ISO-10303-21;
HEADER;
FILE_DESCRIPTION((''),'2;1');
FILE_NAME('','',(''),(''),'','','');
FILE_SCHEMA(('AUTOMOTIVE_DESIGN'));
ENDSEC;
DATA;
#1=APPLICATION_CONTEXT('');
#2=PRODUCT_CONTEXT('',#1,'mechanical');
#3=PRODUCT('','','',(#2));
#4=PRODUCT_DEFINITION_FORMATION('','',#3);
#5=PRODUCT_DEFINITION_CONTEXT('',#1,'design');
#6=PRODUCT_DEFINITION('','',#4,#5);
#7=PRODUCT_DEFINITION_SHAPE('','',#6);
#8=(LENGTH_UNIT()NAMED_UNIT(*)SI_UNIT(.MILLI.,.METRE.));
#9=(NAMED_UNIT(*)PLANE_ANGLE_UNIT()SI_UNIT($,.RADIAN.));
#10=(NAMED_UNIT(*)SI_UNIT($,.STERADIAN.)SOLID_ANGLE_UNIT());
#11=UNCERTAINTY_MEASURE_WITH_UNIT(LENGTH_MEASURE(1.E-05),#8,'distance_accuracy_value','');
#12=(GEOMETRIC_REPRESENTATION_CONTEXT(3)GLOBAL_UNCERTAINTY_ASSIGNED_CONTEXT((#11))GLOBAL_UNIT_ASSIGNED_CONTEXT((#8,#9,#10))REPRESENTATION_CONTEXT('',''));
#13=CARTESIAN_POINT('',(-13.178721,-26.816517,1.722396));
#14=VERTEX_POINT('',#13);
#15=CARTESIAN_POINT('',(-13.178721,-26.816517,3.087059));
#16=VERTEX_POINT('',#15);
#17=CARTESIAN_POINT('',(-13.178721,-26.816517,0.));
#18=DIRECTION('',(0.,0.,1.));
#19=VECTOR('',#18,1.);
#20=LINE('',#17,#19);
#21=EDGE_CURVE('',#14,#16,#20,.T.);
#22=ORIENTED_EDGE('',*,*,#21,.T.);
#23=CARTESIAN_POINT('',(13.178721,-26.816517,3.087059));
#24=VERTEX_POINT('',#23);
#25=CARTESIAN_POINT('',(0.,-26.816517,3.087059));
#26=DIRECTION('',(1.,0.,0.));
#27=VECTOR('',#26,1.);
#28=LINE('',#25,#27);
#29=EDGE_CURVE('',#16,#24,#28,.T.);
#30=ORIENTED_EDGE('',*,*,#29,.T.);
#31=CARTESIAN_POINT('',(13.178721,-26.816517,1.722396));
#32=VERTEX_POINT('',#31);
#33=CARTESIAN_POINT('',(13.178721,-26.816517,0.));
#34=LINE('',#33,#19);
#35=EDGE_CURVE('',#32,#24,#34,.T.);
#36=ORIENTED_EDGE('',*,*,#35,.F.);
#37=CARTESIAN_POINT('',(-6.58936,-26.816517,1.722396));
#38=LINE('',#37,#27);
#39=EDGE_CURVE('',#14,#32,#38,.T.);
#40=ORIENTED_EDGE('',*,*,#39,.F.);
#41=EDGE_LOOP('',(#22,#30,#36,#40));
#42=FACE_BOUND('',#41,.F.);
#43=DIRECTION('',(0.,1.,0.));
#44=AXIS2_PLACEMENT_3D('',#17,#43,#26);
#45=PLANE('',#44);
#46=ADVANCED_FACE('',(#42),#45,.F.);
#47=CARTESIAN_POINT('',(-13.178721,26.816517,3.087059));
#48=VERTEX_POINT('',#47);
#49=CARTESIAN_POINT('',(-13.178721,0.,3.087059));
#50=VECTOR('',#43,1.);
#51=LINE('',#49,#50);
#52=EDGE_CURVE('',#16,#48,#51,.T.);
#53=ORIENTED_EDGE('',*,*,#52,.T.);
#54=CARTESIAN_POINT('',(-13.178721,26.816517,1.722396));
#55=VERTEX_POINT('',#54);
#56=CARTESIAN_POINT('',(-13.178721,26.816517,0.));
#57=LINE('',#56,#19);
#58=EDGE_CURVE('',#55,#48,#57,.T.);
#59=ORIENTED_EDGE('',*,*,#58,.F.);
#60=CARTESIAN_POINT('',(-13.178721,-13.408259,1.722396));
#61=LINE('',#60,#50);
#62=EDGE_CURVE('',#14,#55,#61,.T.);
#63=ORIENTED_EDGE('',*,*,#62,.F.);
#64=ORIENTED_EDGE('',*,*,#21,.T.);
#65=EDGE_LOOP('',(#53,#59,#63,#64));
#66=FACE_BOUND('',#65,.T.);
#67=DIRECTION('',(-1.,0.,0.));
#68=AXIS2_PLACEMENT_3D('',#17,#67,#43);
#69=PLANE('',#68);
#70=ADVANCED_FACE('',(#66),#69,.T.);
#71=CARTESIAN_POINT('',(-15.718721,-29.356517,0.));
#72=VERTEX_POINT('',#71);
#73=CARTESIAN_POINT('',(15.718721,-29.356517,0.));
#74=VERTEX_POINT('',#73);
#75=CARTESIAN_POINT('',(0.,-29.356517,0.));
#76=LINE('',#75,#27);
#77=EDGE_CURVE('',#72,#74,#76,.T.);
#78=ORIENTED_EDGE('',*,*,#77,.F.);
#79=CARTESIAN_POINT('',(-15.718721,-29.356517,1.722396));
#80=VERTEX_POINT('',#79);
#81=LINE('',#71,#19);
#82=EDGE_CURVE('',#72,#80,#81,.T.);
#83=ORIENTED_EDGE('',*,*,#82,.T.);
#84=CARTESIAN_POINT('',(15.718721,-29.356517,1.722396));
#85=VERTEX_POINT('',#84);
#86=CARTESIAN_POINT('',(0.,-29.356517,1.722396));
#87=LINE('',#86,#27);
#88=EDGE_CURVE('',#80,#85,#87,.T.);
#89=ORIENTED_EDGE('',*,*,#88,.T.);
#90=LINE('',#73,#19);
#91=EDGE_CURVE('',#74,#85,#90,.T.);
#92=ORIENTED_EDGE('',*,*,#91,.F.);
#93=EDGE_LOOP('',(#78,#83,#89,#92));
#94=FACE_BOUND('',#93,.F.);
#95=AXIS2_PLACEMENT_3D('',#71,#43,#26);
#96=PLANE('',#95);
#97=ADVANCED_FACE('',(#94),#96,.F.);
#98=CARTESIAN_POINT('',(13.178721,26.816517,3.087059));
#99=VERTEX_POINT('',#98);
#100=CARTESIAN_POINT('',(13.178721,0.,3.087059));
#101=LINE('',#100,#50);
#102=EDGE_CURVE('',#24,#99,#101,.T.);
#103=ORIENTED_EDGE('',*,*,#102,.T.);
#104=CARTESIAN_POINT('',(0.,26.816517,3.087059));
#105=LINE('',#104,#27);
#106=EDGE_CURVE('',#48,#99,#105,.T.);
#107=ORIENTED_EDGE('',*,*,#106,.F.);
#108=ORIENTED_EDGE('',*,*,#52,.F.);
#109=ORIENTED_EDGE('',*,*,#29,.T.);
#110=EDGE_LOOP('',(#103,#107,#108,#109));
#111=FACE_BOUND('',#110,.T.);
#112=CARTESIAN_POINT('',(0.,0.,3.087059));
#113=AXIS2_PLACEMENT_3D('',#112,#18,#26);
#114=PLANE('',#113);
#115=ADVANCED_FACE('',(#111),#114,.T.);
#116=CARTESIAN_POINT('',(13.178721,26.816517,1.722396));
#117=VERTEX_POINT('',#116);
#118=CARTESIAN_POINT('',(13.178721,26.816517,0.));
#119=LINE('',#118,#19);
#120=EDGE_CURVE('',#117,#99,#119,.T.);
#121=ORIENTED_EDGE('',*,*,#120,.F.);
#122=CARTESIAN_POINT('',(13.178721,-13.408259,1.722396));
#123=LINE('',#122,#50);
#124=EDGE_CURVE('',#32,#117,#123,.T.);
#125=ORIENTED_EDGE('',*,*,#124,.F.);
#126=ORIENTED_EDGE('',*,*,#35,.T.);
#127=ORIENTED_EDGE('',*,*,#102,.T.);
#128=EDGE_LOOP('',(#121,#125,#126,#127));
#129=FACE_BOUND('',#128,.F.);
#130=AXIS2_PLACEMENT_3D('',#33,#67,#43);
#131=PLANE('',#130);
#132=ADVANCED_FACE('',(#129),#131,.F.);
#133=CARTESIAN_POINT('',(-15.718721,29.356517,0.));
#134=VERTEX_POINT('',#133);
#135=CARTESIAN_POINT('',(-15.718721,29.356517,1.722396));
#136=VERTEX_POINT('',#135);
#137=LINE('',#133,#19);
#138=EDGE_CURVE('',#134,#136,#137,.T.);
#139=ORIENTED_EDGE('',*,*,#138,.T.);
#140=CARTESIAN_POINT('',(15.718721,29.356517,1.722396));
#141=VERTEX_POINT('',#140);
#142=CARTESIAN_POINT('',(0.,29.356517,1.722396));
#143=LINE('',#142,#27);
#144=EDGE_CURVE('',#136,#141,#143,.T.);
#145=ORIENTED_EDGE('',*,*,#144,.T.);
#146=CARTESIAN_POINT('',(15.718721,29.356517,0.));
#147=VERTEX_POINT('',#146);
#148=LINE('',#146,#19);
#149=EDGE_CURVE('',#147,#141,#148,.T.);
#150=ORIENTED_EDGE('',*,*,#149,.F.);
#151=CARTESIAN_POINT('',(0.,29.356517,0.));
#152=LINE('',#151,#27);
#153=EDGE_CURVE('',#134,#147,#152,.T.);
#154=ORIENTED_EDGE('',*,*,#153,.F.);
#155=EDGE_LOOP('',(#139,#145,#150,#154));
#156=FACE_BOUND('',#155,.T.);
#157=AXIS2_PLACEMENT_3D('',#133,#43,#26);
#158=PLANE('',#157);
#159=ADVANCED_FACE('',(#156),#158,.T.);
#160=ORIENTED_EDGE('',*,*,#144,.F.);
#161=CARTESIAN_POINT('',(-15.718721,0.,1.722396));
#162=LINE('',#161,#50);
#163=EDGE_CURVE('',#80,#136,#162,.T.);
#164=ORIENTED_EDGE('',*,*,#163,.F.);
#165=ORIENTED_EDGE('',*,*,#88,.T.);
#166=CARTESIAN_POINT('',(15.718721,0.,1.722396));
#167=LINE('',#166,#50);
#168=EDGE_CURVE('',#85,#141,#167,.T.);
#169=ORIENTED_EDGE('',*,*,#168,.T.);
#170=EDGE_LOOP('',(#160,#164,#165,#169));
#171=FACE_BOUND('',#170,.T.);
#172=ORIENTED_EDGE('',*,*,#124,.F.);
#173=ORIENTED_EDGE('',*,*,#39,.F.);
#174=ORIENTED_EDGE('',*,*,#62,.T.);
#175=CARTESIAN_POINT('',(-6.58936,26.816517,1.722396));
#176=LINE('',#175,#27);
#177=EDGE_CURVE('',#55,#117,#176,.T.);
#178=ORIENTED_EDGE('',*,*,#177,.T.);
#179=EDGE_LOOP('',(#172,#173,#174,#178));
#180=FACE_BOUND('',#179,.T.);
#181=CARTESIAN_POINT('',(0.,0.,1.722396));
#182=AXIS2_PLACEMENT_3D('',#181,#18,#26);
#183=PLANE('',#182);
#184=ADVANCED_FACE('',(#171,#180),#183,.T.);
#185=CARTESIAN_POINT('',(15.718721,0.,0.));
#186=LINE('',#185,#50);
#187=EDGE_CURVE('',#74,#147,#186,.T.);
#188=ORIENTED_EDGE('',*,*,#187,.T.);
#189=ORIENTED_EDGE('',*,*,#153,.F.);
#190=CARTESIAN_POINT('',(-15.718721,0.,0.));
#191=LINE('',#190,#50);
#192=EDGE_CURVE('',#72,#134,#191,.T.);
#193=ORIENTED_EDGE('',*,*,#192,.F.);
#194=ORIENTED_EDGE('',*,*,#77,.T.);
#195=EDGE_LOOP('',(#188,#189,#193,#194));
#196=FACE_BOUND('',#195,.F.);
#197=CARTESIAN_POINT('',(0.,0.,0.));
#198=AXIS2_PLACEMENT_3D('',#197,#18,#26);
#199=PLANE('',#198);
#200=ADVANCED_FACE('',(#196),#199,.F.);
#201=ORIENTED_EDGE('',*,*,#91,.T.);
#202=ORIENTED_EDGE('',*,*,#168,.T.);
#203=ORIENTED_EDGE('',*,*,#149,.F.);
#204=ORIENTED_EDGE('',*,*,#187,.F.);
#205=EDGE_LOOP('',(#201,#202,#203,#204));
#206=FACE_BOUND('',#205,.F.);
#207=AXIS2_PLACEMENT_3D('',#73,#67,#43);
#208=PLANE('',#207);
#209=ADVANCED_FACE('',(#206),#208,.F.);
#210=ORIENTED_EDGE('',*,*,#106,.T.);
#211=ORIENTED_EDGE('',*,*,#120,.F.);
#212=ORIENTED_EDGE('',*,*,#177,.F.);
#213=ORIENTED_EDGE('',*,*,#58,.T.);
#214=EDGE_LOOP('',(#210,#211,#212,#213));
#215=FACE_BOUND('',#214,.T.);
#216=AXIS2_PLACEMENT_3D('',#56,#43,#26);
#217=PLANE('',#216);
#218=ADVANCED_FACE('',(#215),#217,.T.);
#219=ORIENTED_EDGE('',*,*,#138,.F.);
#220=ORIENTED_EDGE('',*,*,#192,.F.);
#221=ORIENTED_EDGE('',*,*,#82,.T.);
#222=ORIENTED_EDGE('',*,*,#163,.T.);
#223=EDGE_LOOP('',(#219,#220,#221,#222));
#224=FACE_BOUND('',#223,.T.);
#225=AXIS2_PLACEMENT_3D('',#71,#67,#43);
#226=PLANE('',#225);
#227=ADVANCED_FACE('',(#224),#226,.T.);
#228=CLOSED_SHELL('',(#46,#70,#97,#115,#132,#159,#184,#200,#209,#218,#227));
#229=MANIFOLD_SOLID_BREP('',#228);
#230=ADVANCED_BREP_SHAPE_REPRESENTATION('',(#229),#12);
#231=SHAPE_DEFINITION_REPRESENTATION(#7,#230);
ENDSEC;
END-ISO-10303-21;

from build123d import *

# Parameters (mm, degrees)
F0_W     = 26.357442
F0_H     = 53.633034
F2_DEPTH = 3.087059
F1_W     = 31.437442
F1_H     = 58.713034
F3_DEPTH = 1.722396


with BuildPart() as f2:
    # F0 (on Top) → F2 (new body)
    with BuildSketch(Plane.XY):
        Rectangle(F0_W, F0_H)
    extrude(amount=F2_DEPTH)

    # F1 (on Top) → F3 (join)
    with BuildSketch(Plane.XY):
        Rectangle(F1_W, F1_H)
    extrude(amount=F3_DEPTH)


solid = f2.part
